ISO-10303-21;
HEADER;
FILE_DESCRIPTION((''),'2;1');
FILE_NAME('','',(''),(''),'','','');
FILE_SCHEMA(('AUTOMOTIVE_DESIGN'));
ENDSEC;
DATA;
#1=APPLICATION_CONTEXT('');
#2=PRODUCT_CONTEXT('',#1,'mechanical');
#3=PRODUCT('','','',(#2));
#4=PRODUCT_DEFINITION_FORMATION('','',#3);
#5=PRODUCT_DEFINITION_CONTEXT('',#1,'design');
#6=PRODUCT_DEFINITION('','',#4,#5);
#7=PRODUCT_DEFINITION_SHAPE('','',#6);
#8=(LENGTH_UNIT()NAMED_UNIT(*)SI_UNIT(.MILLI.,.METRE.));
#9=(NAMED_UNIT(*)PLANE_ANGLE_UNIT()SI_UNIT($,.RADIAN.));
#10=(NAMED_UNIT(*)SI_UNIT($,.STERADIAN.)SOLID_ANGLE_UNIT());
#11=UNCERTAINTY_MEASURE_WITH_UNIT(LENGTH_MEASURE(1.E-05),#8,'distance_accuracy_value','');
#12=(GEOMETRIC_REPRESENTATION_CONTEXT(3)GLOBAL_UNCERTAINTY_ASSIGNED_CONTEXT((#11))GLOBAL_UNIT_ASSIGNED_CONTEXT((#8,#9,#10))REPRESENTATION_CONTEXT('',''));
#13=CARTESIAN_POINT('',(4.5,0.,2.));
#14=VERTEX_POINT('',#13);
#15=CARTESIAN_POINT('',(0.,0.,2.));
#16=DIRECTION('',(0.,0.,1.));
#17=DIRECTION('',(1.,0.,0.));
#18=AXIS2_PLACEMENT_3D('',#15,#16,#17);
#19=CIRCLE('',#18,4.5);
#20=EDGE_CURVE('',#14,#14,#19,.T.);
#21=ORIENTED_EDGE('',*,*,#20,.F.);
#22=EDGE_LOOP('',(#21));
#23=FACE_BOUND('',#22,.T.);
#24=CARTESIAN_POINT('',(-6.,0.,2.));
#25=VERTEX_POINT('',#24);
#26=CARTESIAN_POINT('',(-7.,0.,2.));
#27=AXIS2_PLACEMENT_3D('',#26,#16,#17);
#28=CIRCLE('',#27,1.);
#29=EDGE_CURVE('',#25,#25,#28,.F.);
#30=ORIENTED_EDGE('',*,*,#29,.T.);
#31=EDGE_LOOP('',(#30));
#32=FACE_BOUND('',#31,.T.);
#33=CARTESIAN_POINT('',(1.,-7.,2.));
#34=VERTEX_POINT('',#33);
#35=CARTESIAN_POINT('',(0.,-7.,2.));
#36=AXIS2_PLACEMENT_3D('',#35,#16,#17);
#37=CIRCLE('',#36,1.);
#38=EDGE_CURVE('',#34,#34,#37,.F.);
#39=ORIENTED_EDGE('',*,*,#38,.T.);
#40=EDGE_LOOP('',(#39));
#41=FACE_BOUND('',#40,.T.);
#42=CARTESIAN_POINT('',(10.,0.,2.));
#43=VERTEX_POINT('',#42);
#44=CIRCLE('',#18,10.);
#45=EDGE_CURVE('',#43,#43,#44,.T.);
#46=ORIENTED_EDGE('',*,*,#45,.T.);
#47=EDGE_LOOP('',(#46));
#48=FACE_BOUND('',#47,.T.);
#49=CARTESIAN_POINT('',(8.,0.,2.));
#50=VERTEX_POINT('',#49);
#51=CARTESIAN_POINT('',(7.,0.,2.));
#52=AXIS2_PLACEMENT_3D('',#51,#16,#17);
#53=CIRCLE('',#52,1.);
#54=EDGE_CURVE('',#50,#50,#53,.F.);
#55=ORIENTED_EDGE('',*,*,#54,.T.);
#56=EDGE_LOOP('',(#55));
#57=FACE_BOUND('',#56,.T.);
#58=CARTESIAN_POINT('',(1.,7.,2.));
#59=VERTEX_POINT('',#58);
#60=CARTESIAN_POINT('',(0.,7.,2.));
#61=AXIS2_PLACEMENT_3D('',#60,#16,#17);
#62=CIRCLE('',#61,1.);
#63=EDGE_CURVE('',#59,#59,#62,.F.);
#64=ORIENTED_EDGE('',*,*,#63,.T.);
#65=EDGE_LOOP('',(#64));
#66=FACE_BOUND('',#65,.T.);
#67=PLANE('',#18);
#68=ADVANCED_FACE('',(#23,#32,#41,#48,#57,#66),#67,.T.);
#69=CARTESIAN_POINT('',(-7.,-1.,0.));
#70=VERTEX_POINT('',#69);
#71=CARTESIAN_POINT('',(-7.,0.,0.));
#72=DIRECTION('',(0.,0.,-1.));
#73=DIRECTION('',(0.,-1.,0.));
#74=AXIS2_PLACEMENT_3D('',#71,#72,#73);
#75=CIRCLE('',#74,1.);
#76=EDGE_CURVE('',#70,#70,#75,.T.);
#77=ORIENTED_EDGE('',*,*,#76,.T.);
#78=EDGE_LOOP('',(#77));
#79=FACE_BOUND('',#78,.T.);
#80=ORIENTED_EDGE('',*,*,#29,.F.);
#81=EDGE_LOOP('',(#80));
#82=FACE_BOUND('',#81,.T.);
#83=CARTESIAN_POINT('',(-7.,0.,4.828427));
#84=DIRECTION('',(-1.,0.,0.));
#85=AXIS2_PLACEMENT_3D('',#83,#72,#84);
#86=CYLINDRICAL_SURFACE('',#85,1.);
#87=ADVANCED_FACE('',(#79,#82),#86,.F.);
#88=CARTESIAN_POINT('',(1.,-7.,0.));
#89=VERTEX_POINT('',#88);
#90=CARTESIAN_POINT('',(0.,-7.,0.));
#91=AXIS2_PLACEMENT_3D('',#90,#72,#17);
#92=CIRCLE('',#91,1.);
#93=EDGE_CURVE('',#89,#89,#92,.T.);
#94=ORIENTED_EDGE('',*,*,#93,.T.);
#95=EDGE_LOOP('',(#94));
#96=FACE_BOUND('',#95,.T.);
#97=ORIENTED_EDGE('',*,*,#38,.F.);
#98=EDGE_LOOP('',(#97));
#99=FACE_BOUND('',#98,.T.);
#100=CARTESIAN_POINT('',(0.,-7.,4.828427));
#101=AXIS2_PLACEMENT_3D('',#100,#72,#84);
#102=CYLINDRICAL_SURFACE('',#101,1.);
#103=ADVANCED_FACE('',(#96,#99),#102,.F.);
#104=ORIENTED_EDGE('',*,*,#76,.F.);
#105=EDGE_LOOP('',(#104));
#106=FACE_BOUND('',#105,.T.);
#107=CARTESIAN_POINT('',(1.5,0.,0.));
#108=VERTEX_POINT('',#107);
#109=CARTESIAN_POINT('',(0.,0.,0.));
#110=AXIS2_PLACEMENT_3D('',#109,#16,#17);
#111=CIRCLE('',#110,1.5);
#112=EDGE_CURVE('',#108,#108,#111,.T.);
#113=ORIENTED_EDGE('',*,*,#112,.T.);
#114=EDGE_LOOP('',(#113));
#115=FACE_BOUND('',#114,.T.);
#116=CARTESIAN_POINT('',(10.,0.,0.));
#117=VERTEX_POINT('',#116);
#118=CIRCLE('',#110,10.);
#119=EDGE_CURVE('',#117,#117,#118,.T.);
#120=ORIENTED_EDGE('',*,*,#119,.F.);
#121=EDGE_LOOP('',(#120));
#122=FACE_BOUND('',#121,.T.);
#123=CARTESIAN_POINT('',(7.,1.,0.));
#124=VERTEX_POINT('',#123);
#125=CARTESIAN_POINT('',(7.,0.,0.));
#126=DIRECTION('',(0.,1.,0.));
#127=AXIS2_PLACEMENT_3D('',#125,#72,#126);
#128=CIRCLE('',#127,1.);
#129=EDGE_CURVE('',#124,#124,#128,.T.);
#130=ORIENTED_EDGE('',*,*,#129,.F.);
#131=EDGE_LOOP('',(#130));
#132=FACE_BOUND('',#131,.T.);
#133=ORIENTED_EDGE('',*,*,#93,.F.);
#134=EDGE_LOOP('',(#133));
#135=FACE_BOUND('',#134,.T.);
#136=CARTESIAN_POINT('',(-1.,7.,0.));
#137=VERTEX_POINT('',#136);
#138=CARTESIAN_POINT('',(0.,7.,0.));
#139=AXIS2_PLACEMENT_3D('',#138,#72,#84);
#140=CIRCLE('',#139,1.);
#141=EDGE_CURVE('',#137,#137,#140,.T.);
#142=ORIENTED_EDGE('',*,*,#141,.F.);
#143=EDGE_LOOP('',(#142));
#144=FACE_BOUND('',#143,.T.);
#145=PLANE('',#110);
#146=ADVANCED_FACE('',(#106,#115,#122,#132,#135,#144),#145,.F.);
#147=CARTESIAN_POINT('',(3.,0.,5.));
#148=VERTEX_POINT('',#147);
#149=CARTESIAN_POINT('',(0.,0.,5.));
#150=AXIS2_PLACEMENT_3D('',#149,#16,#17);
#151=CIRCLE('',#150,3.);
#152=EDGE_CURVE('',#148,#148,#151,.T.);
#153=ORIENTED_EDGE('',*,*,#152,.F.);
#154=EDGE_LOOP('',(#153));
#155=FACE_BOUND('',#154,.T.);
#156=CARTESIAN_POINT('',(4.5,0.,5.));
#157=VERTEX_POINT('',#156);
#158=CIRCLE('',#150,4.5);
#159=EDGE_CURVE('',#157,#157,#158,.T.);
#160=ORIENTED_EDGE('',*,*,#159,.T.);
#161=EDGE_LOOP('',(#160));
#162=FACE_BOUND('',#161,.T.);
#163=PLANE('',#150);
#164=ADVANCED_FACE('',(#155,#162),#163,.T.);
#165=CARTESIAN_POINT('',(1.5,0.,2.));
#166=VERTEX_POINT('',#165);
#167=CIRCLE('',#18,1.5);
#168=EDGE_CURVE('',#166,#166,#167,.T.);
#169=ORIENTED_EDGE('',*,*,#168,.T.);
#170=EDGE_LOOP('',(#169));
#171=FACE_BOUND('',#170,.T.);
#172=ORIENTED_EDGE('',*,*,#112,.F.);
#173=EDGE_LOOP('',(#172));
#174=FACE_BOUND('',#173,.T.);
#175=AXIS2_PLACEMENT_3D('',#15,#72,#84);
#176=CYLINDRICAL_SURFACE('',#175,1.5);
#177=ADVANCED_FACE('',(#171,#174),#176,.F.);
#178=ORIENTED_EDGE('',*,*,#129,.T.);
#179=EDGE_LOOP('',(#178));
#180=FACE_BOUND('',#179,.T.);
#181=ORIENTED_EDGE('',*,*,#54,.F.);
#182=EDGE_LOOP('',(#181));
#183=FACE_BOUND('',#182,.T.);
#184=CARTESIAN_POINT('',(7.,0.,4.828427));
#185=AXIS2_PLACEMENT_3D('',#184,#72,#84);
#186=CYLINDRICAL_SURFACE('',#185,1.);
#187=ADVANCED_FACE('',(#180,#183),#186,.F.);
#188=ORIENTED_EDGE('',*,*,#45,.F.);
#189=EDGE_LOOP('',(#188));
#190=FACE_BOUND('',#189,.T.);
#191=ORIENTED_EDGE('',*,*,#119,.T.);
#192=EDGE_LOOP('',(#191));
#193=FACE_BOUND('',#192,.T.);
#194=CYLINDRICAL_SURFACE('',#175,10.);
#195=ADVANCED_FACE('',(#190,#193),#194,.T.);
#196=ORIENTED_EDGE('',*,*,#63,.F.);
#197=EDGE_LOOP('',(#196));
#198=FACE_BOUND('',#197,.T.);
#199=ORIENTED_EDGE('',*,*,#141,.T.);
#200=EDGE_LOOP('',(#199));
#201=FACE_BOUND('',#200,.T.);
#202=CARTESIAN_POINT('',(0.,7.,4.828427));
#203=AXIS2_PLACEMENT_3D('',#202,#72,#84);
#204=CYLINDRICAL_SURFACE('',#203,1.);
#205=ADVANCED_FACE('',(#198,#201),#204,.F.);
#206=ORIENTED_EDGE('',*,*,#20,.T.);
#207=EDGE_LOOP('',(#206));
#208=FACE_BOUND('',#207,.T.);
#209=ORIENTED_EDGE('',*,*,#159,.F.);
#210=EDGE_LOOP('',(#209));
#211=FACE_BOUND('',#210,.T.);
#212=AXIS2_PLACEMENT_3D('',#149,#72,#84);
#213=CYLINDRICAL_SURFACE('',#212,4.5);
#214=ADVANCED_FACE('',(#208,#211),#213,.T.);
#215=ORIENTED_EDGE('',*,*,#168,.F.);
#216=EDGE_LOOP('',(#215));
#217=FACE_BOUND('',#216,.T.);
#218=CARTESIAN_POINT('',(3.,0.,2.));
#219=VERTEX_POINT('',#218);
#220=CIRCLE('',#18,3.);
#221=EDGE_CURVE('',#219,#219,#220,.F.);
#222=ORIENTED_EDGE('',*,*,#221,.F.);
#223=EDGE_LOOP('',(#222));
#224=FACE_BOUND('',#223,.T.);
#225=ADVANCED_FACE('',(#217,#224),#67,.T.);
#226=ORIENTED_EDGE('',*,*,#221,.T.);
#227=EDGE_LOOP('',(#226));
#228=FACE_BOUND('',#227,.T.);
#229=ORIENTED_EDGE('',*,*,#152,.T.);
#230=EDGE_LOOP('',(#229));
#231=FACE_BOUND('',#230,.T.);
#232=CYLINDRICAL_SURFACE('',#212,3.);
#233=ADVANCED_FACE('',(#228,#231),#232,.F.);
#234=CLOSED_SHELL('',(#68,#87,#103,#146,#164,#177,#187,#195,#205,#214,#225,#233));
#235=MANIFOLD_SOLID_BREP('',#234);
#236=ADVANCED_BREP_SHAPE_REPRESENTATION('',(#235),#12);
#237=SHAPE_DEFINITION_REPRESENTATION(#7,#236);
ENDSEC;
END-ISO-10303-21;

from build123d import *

# Parameters (mm, degrees)
SKETCH1_R           = 10
SKETCH1_R_2         = 1.5
BOSS_EXTRUDE1_DEPTH = 2
SKETCH2_R           = 4.5
SKETCH2_R_2         = 3
BOSS_EXTRUDE2_DEPTH = 3
SKETCH3_R           = 1
CUT_EXTRUDE1_DEPTH  = 2
CIRPATTERN1_COUNT   = 4


with BuildPart() as part:
    # Sketch1 → Boss-Extrude1 (new body)
    with BuildSketch(Plane.XY):
        Circle(SKETCH1_R)
        Circle(SKETCH1_R_2, mode=Mode.SUBTRACT)
    extrude(amount=BOSS_EXTRUDE1_DEPTH)

    # Sketch2 → Boss-Extrude2 (add)
    with BuildSketch(Plane.XY.offset(2)):
        Circle(SKETCH2_R)
        Circle(SKETCH2_R_2, mode=Mode.SUBTRACT)
    extrude(amount=BOSS_EXTRUDE2_DEPTH)

    # Sketch3 → Cut-Extrude1 (cut)
    with BuildSketch(Plane(origin=(0, 0, 0), x_dir=(-1, 0, 0), z_dir=(0, 0, -1))):
        with Locations((0, 7)):
            Circle(SKETCH3_R)
    cut_extrude1 = extrude(amount=-CUT_EXTRUDE1_DEPTH, mode=Mode.SUBTRACT)

    # CirPattern1: Cut-Extrude1 ×4 about axis
    cirpattern1_axis = Axis((0, 0, 0), (0, 0, 1))
    for i in range(1, CIRPATTERN1_COUNT):
        add(cut_extrude1.rotate(cirpattern1_axis, i * 360 / CIRPATTERN1_COUNT), mode=Mode.SUBTRACT)


solid = part.part
